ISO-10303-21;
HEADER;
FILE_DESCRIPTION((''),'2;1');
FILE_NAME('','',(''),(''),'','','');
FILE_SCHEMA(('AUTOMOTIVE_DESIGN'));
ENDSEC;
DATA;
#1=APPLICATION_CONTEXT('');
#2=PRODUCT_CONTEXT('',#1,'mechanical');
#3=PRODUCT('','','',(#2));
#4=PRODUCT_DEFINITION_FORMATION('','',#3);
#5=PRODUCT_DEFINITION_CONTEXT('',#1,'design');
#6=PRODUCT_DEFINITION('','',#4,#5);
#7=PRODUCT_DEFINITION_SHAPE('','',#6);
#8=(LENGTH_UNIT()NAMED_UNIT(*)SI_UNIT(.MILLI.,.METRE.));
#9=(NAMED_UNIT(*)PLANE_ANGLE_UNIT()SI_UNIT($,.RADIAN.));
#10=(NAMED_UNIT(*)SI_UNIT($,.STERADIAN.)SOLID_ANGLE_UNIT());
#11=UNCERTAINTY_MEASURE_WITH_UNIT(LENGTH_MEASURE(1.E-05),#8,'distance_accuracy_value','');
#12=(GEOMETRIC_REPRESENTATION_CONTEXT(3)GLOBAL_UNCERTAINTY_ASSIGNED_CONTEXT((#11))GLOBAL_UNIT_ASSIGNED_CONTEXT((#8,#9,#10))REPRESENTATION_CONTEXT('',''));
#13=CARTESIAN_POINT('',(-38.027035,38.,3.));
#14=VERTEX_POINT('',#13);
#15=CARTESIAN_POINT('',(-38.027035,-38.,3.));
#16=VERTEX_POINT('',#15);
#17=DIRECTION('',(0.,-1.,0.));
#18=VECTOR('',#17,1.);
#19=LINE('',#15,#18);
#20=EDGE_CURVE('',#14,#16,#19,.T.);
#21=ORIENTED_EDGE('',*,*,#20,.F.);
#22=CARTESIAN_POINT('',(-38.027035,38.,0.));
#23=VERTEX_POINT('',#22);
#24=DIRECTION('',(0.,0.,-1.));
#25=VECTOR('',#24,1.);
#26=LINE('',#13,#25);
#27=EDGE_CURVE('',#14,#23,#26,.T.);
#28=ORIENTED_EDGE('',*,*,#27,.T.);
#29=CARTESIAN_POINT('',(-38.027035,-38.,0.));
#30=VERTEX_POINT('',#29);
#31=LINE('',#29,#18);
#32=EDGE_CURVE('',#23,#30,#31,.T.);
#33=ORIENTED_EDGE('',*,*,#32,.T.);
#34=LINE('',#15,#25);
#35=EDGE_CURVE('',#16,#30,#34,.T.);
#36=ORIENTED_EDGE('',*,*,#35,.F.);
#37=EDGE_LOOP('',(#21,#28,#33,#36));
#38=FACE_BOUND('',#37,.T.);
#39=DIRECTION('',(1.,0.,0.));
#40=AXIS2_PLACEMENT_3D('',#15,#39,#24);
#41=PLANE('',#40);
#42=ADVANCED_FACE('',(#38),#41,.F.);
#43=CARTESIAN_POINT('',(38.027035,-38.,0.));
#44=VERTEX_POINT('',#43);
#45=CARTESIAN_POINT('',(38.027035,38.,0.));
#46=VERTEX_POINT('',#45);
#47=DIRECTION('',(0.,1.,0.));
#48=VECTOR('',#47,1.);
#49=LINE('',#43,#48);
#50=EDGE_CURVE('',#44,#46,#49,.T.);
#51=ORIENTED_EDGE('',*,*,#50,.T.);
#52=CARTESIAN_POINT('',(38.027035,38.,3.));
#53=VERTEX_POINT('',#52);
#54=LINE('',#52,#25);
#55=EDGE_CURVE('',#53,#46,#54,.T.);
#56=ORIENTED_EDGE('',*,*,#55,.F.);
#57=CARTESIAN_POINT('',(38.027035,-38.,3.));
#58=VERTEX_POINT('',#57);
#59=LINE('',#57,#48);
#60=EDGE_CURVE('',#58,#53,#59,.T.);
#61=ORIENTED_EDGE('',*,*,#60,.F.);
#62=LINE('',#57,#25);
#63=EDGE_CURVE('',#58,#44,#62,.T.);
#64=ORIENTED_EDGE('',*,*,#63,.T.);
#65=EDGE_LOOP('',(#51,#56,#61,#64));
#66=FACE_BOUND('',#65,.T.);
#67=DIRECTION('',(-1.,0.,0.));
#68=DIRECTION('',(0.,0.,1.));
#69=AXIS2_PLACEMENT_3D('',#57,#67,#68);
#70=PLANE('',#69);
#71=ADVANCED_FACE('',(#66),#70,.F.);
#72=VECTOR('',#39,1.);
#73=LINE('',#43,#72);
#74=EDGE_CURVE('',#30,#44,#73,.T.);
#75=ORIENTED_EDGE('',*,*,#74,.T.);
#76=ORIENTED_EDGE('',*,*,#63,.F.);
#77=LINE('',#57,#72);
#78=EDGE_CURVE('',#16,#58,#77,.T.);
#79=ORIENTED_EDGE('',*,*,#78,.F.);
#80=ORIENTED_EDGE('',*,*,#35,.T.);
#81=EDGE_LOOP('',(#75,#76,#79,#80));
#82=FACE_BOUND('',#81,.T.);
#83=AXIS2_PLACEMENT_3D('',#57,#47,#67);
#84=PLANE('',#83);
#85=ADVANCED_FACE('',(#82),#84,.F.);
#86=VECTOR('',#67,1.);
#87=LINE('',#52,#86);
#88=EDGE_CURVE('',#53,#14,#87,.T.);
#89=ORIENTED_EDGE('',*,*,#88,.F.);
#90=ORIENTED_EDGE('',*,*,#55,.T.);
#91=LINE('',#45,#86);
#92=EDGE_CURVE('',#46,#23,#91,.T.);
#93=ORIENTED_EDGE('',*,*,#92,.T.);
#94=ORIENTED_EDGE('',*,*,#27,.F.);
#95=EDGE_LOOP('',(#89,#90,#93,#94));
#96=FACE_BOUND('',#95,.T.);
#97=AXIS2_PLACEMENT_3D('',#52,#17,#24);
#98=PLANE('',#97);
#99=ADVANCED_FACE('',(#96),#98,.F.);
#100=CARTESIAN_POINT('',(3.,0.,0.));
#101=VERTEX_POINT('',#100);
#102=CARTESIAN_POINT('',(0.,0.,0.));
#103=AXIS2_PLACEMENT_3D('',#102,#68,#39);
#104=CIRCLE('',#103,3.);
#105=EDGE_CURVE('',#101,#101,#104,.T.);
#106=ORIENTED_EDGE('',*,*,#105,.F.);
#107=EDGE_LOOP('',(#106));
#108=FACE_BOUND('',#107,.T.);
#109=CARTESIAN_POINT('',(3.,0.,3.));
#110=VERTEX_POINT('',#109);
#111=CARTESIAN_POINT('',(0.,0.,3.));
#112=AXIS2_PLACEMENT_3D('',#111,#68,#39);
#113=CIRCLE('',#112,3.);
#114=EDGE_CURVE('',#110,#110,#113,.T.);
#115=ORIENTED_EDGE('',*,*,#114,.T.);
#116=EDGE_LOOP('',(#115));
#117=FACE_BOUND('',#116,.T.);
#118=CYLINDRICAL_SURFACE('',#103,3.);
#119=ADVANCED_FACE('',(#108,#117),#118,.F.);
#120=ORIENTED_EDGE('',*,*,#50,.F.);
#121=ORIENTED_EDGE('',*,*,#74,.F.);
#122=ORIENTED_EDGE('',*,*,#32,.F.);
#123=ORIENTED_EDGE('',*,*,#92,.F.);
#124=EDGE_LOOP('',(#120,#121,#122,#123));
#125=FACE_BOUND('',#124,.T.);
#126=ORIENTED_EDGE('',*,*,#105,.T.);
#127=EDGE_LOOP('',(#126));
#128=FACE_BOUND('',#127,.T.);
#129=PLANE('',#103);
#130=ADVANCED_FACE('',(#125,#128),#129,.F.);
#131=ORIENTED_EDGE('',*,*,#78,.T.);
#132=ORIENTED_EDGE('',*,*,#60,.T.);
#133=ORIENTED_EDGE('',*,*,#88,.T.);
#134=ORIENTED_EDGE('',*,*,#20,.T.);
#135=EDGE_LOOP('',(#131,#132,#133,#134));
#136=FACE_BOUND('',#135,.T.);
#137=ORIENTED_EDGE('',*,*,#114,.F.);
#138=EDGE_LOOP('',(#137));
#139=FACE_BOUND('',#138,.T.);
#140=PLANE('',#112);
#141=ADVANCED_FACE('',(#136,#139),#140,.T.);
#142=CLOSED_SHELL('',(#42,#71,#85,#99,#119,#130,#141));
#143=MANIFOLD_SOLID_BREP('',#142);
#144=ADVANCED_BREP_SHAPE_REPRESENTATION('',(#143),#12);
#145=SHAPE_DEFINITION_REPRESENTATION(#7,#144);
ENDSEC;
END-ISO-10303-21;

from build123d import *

# Parameters (mm, degrees)
SKETCH1_W           = 76.054070172
SKETCH1_H           = 76
BOSS_EXTRUDE2_DEPTH = 3
SKETCH3_R           = 3
CUT_EXTRUDE1_DEPTH  = 4


with BuildPart() as part:
    # Sketch1 → Boss-Extrude2 (new body)
    with BuildSketch(Plane.XY):
        Rectangle(SKETCH1_W, SKETCH1_H)
    extrude(amount=BOSS_EXTRUDE2_DEPTH)

    # Sketch3 → Cut-Extrude1 (cut, through all)
    with BuildSketch(Plane.XY.offset(3)):
        Circle(SKETCH3_R)
    extrude(amount=-CUT_EXTRUDE1_DEPTH, mode=Mode.SUBTRACT)


solid = part.part
